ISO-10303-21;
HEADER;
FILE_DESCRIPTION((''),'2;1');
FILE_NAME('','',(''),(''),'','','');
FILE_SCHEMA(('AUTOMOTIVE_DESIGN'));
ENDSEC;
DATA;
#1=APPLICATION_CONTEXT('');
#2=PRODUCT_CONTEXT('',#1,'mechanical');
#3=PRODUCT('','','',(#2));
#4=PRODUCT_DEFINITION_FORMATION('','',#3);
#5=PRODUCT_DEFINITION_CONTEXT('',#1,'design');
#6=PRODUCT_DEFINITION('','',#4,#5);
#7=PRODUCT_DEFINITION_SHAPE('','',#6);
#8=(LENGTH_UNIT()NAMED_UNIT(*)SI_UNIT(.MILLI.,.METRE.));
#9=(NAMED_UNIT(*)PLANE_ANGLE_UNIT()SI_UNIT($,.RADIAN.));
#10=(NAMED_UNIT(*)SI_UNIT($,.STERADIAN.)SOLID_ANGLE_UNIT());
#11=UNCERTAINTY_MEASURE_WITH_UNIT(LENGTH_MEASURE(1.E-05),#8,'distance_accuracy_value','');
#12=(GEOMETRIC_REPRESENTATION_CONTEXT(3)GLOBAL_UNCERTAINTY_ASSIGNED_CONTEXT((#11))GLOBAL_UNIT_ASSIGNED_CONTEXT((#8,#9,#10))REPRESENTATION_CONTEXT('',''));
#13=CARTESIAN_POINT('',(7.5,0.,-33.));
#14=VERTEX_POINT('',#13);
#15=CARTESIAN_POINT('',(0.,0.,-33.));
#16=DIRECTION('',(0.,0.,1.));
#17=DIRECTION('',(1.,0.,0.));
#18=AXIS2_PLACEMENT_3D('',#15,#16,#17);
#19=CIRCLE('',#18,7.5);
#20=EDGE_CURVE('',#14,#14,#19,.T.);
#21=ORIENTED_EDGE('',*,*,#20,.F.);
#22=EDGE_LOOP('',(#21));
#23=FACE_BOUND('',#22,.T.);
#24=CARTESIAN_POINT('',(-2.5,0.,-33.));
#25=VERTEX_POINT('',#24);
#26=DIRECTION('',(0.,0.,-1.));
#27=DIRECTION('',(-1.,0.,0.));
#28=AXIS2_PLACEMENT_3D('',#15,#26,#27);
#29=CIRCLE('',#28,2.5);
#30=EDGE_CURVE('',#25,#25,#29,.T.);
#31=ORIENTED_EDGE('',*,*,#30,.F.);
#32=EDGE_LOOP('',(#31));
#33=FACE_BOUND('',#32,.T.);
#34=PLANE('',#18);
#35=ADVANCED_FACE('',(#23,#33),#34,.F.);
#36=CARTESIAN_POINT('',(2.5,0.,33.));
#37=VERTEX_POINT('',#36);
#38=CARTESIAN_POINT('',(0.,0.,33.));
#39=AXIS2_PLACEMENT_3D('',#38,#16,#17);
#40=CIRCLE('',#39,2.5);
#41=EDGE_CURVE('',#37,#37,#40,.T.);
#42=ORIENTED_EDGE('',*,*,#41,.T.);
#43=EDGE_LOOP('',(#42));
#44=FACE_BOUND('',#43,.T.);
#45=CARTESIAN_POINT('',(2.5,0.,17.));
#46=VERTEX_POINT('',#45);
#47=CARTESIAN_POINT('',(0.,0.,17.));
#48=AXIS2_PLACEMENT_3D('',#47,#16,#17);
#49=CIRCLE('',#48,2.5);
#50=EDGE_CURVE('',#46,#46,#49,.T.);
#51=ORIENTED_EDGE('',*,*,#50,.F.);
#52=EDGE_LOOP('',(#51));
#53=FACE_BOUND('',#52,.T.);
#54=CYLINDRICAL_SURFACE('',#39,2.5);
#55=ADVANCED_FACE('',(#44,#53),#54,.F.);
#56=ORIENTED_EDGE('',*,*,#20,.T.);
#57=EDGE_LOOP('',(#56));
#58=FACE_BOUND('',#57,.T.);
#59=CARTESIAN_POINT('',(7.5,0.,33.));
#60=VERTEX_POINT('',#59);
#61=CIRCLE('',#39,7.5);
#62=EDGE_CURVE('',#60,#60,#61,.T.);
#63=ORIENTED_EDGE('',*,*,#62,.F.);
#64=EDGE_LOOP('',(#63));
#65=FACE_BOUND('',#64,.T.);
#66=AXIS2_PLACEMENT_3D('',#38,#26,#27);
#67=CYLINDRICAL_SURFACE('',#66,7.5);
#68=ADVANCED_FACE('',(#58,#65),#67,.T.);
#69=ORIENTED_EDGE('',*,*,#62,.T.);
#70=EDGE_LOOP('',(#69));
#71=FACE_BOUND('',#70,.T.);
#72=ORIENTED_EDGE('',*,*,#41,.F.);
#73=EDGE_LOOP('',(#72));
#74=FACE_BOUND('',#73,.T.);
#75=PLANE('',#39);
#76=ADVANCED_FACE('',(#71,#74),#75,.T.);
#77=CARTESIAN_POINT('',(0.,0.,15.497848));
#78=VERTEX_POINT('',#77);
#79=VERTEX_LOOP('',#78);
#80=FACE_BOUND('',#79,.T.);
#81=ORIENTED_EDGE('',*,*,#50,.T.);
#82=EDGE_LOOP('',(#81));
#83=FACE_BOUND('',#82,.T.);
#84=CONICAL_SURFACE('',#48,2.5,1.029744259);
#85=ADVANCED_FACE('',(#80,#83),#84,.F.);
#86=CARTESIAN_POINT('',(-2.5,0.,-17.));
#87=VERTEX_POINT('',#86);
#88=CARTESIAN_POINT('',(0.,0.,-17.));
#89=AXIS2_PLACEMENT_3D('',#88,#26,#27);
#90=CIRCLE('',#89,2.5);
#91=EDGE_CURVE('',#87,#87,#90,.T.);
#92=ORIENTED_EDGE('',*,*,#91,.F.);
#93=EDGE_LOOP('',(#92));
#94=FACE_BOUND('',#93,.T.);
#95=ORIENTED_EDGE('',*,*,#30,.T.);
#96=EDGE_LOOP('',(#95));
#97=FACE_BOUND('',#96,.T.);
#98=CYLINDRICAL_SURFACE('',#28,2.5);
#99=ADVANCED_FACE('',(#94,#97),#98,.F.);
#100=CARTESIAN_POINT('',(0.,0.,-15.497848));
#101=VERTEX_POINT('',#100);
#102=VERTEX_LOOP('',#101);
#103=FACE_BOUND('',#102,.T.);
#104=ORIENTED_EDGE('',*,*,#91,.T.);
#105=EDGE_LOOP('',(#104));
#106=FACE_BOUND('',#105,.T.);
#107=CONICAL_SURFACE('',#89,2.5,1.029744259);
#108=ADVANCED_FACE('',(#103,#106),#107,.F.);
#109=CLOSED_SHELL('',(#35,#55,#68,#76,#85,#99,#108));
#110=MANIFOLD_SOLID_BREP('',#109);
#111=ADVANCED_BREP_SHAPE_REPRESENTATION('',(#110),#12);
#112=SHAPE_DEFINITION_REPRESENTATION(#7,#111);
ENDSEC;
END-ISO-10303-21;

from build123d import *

# Parameters (mm, degrees)
SKETCH1_R             = 7.5
BOSS_EXTRUDE1_DEPTH   = 33
M6_TAPPED_HOLE1_D     = 5
M6_TAPPED_HOLE1_DEPTH = 16
M6_TAPPED_HOLE1_TIP   = 1.502151548
M6_TAPPED_HOLE2_D     = 5
M6_TAPPED_HOLE2_DEPTH = 16
M6_TAPPED_HOLE2_TIP   = 1.502151548


with BuildPart() as part:
    # Sketch1 → Boss-Extrude1 (new, symmetric)
    with BuildSketch(Plane.XY):
        Circle(SKETCH1_R)
    extrude(amount=BOSS_EXTRUDE1_DEPTH, both=True)

    # M6 Tapped Hole1
    with Locations(Plane.XY.offset(33)):
        with Locations((0, 0)):
            Hole(M6_TAPPED_HOLE1_D / 2, depth=M6_TAPPED_HOLE1_DEPTH)
            with Locations((0, 0, -(M6_TAPPED_HOLE1_DEPTH + M6_TAPPED_HOLE1_TIP / 2))):  # 118° drill point
                Cone(0, M6_TAPPED_HOLE1_D / 2, M6_TAPPED_HOLE1_TIP, mode=Mode.SUBTRACT)

    # M6 Tapped Hole2
    with Locations(Plane(origin=(0, 0, -33), x_dir=(-1, 0, 0), z_dir=(0, 0, -1))):
        with Locations((0, 0)):
            Hole(M6_TAPPED_HOLE2_D / 2, depth=M6_TAPPED_HOLE2_DEPTH)
            with Locations((0, 0, -(M6_TAPPED_HOLE2_DEPTH + M6_TAPPED_HOLE2_TIP / 2))):  # 118° drill point
                Cone(0, M6_TAPPED_HOLE2_D / 2, M6_TAPPED_HOLE2_TIP, mode=Mode.SUBTRACT)


solid = part.part
